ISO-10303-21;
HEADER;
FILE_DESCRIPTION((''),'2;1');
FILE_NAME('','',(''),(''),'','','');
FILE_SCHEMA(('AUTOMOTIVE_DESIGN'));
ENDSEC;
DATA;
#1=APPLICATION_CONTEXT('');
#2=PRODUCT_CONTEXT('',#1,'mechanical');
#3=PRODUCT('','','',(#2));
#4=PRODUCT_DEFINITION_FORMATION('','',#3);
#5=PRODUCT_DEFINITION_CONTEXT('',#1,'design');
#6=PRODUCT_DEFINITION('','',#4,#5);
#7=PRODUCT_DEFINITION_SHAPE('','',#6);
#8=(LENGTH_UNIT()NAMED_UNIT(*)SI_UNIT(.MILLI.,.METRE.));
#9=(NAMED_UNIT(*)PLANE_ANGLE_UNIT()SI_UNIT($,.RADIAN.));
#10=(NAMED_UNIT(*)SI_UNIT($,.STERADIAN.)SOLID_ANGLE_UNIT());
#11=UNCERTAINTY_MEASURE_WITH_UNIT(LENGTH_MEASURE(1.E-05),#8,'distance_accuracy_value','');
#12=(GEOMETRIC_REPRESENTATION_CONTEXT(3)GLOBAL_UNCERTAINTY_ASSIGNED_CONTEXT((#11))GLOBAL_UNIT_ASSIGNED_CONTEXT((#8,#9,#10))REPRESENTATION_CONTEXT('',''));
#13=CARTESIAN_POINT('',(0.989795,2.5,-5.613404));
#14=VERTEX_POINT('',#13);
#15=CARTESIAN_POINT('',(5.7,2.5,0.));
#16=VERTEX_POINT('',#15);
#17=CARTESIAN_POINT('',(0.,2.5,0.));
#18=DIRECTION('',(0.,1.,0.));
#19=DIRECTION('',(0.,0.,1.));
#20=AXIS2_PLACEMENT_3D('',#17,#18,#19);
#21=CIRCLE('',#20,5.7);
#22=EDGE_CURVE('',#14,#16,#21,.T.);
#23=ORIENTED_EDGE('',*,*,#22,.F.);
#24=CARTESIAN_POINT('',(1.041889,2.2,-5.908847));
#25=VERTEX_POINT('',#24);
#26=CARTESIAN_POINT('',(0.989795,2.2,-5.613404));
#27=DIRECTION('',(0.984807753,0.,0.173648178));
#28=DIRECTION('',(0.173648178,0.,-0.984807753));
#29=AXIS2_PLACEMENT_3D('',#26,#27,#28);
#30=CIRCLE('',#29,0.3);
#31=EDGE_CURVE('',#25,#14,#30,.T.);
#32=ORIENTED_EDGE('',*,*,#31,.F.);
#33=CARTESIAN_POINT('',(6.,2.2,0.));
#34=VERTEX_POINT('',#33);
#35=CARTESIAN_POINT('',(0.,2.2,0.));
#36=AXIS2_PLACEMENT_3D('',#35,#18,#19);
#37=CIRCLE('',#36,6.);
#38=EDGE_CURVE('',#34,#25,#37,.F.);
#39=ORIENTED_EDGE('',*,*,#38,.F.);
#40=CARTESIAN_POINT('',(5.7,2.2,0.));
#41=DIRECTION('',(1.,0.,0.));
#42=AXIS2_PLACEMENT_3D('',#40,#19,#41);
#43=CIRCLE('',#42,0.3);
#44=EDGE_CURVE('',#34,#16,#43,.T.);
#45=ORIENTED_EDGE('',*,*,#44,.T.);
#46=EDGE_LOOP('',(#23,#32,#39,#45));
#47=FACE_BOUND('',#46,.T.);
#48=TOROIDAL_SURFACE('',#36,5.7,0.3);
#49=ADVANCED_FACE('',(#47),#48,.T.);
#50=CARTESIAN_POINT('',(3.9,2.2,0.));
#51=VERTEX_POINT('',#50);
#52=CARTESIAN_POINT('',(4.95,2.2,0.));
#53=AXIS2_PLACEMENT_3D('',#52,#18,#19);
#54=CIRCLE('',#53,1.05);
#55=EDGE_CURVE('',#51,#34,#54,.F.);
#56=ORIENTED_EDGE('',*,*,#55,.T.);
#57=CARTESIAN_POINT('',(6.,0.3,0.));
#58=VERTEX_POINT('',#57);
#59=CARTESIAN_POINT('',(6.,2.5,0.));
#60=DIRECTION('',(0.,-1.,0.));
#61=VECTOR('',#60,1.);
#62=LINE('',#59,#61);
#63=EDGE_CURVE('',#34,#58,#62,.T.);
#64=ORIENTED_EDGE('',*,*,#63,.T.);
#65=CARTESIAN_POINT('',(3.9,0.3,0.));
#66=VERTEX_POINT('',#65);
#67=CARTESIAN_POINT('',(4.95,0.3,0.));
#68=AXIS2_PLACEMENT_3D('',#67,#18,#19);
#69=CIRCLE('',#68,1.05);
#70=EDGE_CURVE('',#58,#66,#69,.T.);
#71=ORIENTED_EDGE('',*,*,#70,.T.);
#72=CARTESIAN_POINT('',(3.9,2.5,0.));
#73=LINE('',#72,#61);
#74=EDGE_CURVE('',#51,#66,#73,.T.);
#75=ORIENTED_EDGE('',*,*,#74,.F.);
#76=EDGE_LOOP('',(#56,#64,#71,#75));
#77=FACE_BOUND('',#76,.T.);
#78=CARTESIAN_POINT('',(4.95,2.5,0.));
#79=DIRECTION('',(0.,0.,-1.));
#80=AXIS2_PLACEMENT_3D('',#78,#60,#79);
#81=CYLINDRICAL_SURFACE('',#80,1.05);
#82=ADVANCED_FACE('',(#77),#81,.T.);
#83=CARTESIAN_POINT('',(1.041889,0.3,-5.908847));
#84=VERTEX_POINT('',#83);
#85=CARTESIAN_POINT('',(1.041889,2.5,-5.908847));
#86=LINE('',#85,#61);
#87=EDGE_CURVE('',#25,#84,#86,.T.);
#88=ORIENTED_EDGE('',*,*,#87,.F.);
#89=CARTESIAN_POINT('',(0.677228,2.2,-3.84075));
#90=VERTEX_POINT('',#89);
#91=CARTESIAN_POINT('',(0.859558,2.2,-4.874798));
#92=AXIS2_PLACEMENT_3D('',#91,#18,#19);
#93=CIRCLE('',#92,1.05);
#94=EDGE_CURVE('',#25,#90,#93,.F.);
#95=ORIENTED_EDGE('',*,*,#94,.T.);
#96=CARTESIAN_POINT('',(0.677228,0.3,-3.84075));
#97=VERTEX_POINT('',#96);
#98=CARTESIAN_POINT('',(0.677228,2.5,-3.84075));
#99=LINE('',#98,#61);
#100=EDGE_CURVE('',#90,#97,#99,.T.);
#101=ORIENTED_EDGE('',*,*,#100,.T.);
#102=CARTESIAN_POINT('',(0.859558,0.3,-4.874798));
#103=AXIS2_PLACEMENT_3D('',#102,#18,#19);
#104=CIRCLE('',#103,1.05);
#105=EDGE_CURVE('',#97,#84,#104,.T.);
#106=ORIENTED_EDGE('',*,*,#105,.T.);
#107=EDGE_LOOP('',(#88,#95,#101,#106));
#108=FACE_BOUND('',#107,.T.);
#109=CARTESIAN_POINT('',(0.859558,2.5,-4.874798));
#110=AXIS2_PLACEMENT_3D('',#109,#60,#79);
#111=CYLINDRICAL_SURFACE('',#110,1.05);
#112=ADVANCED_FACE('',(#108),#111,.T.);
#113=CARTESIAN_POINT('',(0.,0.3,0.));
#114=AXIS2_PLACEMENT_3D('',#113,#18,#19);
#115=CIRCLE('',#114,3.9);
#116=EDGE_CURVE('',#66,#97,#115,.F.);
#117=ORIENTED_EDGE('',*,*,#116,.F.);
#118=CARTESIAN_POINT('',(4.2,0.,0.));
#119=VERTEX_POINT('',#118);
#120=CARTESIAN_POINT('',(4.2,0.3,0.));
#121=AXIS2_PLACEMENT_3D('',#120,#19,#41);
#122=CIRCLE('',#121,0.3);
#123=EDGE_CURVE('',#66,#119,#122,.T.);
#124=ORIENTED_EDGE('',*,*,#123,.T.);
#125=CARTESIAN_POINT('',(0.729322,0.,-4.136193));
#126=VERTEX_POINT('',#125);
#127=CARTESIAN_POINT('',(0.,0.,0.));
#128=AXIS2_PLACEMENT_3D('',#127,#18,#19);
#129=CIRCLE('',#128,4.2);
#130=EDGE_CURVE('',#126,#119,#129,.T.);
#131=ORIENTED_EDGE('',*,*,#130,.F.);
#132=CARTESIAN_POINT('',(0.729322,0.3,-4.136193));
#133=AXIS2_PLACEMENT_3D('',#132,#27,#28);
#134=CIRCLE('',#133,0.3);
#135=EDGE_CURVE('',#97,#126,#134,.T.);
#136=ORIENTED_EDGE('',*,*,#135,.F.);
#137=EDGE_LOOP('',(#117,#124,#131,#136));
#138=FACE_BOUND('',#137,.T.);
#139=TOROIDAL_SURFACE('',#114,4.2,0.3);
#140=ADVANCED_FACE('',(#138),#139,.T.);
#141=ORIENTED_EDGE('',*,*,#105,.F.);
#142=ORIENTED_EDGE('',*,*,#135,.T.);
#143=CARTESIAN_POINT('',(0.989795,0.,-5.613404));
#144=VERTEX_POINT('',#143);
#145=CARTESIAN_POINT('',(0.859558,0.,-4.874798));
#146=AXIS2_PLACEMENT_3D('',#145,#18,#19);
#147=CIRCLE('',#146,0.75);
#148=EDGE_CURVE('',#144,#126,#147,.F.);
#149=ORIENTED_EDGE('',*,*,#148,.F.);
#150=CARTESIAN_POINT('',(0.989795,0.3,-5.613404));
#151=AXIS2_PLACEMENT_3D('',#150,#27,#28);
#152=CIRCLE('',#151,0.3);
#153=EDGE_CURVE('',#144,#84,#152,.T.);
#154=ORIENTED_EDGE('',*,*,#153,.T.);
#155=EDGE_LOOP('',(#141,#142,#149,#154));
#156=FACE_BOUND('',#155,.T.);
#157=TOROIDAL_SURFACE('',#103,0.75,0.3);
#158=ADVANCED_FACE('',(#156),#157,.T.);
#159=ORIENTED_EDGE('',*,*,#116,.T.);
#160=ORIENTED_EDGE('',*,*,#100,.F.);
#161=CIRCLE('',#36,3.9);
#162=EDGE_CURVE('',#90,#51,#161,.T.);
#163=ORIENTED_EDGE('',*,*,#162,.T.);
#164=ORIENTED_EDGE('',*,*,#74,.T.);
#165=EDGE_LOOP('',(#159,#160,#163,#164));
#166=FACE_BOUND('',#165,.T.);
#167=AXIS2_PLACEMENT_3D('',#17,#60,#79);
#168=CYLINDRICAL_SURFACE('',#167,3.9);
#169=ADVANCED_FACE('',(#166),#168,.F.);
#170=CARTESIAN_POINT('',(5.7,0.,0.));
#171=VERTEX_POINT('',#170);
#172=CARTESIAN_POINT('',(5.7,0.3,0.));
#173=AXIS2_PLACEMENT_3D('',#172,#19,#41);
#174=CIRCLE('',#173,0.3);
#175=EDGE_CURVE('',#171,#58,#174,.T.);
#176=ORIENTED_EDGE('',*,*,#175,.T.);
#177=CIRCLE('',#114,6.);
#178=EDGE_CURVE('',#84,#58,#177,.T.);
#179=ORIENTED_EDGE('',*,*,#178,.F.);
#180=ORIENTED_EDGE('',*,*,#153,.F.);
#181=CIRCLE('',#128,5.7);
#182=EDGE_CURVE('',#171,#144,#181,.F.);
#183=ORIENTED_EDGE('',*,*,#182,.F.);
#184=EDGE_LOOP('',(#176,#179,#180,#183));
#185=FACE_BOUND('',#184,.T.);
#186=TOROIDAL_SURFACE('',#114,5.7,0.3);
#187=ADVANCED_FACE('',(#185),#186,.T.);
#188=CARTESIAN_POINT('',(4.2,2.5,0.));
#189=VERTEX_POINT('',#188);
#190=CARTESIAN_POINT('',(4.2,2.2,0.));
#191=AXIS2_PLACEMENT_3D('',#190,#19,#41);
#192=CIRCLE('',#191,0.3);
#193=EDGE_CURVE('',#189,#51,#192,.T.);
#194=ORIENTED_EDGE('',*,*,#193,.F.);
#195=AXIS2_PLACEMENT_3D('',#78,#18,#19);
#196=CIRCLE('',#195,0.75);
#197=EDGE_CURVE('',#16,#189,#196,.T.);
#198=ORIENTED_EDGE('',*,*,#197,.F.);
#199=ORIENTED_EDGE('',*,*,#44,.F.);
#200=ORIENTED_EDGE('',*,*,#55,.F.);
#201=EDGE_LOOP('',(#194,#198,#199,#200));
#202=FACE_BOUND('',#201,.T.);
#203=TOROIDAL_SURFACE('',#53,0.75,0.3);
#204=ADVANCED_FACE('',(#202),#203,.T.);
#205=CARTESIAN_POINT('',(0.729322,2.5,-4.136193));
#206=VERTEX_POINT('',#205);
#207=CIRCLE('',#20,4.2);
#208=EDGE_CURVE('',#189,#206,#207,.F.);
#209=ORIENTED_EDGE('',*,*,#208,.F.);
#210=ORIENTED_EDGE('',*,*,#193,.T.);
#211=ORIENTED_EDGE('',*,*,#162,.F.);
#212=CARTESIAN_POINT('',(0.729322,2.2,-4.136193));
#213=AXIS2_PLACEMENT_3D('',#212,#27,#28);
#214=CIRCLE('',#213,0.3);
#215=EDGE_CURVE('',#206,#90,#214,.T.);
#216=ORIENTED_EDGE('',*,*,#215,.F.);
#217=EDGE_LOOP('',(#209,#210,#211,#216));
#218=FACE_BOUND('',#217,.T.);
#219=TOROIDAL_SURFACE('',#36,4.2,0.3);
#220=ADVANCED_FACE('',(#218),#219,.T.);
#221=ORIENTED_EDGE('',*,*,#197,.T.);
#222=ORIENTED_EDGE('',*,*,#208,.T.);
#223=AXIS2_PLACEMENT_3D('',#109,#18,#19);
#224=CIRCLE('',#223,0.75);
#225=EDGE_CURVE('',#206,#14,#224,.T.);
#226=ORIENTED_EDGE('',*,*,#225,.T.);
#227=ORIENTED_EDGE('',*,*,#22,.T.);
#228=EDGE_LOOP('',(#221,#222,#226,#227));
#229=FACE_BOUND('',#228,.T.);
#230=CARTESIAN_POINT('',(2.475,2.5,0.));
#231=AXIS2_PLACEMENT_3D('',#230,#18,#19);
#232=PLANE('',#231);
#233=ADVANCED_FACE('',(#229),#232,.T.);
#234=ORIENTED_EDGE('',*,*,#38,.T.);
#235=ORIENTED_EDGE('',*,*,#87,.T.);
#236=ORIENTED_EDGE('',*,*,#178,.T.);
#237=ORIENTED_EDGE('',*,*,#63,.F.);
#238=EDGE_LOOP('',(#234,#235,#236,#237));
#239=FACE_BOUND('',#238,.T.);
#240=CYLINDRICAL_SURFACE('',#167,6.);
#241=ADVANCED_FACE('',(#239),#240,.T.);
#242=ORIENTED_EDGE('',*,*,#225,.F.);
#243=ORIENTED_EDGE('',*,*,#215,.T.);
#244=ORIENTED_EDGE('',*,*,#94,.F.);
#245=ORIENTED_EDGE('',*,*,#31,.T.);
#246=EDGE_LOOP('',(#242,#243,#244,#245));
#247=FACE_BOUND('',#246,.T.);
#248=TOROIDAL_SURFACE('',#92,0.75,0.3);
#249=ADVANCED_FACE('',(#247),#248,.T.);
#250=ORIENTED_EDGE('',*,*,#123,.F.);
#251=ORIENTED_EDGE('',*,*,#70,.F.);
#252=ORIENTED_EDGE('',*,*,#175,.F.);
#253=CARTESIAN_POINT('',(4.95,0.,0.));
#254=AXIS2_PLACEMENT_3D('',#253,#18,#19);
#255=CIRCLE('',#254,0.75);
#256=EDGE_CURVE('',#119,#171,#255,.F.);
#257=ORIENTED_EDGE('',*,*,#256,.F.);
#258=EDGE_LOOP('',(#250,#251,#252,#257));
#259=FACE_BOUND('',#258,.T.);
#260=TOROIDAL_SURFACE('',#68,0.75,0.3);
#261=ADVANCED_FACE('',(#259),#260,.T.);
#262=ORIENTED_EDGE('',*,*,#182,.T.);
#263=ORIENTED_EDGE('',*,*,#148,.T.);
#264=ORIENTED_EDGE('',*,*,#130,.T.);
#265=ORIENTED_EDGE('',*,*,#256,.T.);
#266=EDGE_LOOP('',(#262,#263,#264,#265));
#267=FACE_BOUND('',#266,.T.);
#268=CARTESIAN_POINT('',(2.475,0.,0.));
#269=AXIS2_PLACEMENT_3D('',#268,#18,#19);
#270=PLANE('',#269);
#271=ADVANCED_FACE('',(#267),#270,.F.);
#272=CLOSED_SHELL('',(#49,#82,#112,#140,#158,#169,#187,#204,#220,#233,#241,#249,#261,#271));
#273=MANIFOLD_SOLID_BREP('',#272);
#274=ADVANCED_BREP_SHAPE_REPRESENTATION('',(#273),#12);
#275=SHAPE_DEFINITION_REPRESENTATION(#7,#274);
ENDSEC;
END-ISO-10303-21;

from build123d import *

# Parameters (mm, degrees)
BOSS_EXTRUDE1_DEPTH = 2.5
FILLET2_R           = 0.3
FILLET3_R           = 0.3


with BuildPart() as part:
    # Sketch1 → Boss-Extrude1 (new body)
    with BuildSketch(Plane(origin=(0, 0, 0), x_dir=(1, 0, 0), z_dir=(0, 1, 0))):
        with BuildLine():
            ThreePointArc((3.9, 0), (-2.987573328, -2.506871678), (0.677227893, 3.840750237))
            ThreePointArc((0.677227893, 3.840750237), (1.89360662, 4.692467791), (1.041889066, 5.908846518))
            ThreePointArc((1.041889066, 5.908846518), (-4.596266659, -3.856725658), (6, 0))
            ThreePointArc((6, 0), (4.95, 1.05), (3.9, 0))
        make_face()
    extrude(amount=BOSS_EXTRUDE1_DEPTH)

    # Fillet2
    fillet2_edges = [part.edges().sort_by_distance(p)[0] for p in [
        (1.89360662, 2.5, -4.692467791),
        (-4.596266659, 2.5, 3.856725658),
        (4.95, 2.5, -1.05),
        (-2.987573328, 2.5, 2.506871678),
    ]]
    fillet(fillet2_edges, radius=FILLET2_R)

    # Fillet3
    fillet3_edges = [part.edges().sort_by_distance(p)[0] for p in [
        (-4.596266659, 0, 3.856725658),
        (1.89360662, 0, -4.692467791),
        (-2.987573328, 0, 2.506871678),
        (4.95, 0, -1.05),
    ]]
    fillet(fillet3_edges, radius=FILLET3_R)


solid = part.part
